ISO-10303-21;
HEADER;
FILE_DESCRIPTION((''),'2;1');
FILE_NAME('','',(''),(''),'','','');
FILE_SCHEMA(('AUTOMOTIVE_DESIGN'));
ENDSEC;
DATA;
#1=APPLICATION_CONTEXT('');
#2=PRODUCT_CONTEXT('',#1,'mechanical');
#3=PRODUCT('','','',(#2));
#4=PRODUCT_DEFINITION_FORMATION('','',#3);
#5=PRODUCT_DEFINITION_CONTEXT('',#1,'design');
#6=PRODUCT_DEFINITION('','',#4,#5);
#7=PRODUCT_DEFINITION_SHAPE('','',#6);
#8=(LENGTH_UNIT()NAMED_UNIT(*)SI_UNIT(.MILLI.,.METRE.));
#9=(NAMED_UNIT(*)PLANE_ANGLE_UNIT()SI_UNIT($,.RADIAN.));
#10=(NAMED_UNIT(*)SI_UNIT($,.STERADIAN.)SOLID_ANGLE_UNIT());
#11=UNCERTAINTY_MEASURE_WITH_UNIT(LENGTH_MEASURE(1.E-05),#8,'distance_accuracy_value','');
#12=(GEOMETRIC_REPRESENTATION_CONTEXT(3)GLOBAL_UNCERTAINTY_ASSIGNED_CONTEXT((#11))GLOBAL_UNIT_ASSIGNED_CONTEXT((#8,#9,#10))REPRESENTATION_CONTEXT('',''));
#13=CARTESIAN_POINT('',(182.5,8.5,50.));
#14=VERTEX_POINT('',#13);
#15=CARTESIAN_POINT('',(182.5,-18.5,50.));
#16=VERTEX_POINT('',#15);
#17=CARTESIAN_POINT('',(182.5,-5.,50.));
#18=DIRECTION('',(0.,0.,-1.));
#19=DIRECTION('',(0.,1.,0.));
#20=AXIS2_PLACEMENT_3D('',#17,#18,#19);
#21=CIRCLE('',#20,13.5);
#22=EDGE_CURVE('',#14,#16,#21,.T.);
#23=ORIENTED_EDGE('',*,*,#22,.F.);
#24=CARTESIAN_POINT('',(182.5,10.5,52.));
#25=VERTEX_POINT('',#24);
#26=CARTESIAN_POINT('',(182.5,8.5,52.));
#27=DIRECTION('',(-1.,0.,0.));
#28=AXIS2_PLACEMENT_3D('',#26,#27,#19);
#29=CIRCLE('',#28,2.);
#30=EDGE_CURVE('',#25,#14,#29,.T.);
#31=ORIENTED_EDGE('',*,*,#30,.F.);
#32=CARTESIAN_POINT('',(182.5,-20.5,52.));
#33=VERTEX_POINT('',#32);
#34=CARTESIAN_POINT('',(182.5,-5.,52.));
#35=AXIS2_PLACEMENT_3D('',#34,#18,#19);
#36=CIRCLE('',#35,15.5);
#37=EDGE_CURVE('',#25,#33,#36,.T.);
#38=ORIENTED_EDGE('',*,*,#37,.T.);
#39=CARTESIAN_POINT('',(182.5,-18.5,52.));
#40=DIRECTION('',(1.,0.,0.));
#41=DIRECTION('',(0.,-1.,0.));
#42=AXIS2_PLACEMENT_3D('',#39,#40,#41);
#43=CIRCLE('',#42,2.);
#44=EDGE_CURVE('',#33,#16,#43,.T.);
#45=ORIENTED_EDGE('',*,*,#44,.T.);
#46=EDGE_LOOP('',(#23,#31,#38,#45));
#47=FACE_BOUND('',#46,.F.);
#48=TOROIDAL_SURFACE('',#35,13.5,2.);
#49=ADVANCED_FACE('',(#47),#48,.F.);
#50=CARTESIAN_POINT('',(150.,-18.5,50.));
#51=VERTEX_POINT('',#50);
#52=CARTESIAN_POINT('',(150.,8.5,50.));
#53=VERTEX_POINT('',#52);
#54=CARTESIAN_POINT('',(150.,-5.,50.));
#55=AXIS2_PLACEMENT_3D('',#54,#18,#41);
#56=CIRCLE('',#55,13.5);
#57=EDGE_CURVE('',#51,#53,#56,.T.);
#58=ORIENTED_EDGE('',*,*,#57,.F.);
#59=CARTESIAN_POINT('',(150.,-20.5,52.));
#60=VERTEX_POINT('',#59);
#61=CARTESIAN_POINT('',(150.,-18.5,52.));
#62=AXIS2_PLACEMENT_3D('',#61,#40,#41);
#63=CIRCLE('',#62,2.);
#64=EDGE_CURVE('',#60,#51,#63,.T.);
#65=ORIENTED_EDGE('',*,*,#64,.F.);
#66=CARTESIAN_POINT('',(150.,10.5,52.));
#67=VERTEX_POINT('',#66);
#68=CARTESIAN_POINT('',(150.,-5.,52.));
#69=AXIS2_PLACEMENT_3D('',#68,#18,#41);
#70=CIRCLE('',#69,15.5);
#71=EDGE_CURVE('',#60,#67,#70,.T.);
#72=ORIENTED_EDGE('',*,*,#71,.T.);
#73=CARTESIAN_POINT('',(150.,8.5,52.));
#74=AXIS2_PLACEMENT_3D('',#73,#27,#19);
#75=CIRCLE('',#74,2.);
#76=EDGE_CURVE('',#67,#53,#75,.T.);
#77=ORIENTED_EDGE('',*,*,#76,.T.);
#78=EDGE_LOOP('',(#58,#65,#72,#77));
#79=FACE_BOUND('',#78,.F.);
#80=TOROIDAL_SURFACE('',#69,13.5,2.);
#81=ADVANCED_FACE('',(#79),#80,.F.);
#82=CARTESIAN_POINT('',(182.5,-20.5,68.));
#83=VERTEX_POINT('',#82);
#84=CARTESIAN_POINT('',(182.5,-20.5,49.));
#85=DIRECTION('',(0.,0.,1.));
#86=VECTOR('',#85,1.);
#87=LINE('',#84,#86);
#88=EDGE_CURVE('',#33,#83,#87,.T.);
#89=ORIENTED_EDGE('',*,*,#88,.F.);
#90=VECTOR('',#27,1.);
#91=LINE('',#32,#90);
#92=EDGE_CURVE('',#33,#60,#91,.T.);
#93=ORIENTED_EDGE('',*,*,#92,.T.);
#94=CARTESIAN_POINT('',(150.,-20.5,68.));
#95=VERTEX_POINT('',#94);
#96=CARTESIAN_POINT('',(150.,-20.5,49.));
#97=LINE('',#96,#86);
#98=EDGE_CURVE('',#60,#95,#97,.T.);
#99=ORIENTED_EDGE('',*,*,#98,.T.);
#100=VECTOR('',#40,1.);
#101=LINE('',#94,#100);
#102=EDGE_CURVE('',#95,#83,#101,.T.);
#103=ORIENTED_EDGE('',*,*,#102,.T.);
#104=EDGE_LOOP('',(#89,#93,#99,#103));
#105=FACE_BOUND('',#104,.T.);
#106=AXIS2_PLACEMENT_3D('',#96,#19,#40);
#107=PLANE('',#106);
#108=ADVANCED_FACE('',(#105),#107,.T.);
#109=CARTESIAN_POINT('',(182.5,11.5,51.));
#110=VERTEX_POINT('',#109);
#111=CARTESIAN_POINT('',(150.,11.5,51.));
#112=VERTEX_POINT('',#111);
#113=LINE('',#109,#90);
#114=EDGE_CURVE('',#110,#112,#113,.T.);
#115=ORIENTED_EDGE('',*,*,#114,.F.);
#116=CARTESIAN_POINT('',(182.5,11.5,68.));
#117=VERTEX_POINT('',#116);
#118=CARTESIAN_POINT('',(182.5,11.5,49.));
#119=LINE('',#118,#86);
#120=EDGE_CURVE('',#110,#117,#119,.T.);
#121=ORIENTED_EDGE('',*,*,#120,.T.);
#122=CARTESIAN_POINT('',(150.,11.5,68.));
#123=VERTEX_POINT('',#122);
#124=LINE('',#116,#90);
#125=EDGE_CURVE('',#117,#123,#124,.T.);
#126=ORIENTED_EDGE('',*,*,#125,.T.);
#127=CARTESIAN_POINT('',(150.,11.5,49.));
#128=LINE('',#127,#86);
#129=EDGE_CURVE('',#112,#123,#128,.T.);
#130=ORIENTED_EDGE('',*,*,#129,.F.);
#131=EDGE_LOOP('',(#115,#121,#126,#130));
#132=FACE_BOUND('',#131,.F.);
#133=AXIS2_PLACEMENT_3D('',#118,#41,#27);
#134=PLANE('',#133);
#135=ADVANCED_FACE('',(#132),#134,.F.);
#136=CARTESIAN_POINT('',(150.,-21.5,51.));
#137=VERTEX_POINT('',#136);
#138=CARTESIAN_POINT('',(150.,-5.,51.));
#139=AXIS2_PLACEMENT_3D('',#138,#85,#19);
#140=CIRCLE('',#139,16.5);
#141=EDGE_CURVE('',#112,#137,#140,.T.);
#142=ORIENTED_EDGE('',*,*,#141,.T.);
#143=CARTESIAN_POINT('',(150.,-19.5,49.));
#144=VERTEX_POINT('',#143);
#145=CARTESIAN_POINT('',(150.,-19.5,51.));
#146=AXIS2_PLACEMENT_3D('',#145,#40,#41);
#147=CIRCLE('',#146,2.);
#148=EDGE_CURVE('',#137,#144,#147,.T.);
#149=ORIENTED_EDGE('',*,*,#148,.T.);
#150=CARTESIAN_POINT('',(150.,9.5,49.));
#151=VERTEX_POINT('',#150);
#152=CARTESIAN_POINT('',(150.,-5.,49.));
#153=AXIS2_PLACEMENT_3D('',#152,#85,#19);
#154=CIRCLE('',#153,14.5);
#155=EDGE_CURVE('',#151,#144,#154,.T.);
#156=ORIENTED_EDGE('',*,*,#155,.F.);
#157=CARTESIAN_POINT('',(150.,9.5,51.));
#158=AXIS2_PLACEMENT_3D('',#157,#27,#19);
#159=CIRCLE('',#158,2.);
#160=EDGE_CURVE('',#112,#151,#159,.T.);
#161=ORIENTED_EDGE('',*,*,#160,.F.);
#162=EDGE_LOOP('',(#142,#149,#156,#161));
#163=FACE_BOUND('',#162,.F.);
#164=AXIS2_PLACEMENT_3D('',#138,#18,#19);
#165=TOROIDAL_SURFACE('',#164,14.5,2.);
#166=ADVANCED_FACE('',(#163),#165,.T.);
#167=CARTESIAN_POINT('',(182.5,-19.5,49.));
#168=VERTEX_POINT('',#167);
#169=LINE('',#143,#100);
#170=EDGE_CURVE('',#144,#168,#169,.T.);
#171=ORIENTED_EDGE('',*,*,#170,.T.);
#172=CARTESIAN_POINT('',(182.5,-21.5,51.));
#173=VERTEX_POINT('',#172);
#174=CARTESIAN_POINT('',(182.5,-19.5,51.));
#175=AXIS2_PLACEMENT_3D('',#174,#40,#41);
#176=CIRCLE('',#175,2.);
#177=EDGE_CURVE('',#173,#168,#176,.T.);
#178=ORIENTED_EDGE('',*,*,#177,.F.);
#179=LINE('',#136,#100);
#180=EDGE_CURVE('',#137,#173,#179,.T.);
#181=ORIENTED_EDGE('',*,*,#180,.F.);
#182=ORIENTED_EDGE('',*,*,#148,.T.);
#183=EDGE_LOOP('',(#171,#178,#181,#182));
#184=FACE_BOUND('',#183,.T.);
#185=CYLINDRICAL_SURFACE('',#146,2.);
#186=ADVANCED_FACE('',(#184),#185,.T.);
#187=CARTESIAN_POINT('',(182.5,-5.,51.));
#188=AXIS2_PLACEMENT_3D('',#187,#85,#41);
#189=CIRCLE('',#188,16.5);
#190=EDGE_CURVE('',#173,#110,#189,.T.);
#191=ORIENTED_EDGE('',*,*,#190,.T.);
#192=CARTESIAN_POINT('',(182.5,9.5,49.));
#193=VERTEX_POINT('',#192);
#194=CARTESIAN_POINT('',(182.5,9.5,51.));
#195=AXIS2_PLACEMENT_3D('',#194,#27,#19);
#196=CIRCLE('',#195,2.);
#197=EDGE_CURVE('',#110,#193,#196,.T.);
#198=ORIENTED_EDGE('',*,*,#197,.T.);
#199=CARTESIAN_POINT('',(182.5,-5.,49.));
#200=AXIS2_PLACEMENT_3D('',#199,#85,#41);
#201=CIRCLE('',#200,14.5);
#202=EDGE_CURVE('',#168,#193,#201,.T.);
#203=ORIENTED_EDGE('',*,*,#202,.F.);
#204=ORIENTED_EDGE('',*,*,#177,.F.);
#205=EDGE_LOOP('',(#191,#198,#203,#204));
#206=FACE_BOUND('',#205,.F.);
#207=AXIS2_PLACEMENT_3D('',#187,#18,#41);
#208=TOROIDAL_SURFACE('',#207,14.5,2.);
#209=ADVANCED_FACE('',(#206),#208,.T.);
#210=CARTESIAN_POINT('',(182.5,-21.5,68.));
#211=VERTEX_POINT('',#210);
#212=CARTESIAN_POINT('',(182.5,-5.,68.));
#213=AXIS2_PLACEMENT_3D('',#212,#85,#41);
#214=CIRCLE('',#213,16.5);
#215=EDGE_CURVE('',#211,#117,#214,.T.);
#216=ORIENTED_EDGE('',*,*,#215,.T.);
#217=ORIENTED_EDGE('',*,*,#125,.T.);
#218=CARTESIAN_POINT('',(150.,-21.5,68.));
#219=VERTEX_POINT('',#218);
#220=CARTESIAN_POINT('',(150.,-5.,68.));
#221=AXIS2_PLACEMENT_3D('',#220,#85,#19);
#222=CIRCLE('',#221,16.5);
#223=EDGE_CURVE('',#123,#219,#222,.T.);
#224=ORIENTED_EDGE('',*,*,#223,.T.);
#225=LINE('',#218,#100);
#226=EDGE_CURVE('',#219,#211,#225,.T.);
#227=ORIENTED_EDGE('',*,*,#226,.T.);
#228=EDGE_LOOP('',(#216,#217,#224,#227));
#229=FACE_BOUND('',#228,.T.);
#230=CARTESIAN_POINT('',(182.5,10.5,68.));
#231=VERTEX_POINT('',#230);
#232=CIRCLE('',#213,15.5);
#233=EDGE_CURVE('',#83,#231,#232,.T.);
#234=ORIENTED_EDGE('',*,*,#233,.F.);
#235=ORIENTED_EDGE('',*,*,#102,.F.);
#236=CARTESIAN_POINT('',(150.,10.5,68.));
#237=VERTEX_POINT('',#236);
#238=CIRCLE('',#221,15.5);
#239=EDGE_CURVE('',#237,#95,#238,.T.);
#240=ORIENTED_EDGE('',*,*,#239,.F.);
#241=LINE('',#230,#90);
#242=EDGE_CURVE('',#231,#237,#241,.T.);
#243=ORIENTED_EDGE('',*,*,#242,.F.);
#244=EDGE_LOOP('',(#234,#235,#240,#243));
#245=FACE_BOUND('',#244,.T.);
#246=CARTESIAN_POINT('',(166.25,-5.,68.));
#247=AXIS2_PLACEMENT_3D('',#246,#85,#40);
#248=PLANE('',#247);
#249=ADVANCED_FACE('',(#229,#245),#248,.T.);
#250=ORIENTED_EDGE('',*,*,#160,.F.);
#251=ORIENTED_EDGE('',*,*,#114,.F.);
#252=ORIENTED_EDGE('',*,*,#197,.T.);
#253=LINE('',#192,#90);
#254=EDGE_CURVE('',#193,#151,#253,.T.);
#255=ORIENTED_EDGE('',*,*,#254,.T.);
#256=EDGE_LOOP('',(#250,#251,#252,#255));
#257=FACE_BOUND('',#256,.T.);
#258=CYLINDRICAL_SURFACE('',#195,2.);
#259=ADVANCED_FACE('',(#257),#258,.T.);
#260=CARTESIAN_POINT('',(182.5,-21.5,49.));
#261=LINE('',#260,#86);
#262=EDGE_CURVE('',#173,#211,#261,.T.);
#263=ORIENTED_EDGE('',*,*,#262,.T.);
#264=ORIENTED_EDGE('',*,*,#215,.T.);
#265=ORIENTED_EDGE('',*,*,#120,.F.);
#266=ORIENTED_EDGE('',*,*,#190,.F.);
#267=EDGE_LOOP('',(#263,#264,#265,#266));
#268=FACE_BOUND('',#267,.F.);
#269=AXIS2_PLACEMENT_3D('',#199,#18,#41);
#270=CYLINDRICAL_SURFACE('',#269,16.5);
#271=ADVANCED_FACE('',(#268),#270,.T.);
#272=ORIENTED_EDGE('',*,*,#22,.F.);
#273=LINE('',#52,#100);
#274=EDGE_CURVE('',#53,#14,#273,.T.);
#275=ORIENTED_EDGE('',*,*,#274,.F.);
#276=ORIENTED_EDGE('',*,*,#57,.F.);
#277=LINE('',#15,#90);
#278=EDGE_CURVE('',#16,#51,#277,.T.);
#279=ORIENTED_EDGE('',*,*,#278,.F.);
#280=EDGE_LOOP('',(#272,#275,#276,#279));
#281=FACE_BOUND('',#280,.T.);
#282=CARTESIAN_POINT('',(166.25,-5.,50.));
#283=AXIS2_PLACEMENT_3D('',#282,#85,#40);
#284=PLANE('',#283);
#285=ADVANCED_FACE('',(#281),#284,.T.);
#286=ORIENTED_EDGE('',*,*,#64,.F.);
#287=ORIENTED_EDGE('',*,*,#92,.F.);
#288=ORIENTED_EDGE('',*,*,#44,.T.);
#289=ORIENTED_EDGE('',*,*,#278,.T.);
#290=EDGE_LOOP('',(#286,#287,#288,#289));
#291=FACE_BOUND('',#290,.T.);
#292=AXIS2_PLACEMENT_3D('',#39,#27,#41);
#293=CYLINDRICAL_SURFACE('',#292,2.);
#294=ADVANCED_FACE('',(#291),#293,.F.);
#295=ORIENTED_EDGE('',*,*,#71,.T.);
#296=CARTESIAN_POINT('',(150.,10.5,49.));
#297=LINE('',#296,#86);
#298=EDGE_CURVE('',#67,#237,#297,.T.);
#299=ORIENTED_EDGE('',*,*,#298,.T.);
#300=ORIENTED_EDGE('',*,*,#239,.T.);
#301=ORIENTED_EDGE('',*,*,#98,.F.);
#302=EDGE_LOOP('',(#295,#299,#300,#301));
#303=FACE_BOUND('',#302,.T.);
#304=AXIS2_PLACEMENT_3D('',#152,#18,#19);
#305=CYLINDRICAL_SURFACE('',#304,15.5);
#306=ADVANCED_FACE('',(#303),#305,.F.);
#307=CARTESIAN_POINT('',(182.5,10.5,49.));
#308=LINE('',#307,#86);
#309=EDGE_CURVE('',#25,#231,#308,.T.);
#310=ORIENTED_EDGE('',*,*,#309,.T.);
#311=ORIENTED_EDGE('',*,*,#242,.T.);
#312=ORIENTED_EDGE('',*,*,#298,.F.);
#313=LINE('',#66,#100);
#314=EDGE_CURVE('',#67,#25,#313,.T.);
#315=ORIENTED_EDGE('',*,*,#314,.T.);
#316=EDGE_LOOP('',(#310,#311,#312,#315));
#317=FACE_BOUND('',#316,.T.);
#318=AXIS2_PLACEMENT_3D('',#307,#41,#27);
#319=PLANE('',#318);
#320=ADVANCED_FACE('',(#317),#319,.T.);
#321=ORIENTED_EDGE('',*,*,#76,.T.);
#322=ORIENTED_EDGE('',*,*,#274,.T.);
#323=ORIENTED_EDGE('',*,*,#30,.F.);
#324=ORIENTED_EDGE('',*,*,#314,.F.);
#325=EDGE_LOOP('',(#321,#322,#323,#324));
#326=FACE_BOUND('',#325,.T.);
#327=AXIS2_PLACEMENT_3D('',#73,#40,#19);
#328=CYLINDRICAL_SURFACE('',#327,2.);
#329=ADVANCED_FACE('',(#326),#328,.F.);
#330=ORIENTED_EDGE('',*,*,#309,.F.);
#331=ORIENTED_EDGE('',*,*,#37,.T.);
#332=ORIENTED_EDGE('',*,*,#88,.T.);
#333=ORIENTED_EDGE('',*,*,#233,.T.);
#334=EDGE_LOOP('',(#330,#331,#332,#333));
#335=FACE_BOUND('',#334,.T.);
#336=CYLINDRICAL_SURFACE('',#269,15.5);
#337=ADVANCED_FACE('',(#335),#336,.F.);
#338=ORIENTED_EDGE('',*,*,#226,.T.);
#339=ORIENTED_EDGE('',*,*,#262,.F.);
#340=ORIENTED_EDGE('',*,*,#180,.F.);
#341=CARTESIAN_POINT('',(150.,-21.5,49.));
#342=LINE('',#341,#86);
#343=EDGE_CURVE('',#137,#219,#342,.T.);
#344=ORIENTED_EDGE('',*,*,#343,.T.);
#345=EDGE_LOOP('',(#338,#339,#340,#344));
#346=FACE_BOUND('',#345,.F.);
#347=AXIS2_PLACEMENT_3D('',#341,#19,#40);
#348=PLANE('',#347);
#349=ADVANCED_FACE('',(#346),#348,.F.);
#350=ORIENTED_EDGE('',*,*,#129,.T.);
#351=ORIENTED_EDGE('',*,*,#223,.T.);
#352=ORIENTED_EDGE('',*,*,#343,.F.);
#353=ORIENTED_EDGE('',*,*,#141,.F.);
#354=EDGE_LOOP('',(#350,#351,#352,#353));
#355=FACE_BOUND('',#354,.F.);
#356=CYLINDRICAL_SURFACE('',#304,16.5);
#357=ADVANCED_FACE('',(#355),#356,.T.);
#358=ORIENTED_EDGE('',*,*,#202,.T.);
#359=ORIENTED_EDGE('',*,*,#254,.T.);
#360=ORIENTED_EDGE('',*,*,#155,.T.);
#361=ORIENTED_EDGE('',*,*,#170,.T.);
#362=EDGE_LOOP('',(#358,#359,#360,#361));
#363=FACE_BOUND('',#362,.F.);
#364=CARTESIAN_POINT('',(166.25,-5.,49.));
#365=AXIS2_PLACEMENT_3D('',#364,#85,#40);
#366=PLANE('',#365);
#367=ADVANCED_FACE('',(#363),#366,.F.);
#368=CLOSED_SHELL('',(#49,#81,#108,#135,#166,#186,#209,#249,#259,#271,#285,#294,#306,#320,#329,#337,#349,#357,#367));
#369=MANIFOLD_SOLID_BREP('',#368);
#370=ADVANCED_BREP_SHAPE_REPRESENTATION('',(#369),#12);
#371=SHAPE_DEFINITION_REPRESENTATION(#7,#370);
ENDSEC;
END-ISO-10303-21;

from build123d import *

# Parameters (mm, degrees)
PAD003_DEPTH   = 19
THICKNESS001_T = -1
FILLET004_R    = 2
FILLET005_R    = 2


with BuildPart() as part:
    # Sketch008 → Pad003 (new body)
    with BuildSketch(Plane.XY):
        with BuildLine():
            ThreePointArc((-83, 72.5), (-99.5, 56), (-83, 39.5))
            Line((-83, 39.5), (-50.5, 39.5))
            ThreePointArc((-50.5, 39.5), (-34, 56), (-50.5, 72.5))
            Line((-50.5, 72.5), (-83, 72.5))
        make_face()
    extrude(amount=PAD003_DEPTH)

    # Thickness001
    thickness001_openings = [part.faces().sort_by_distance(p)[0] for p in [
        (-66.75, 56, 19),
    ]]
    offset(amount=THICKNESS001_T, openings=thickness001_openings)

    # Fillet004
    fillet004_edges = [part.edges().sort_by_distance(p)[0] for p in [
        (-98.5, 56, 1),
        (-66.75, 40.5, 1),
        (-35, 56, 1),
        (-66.75, 71.5, 1),
    ]]
    fillet(fillet004_edges, radius=FILLET004_R)

    # Fillet005
    fillet005_edges = [part.edges().sort_by_distance(p)[0] for p in [
        (-99.5, 56, 0),
        (-66.75, 39.5, 0),
        (-34, 56, 0),
        (-66.75, 72.5, 0),
    ]]
    fillet(fillet005_edges, radius=FILLET005_R)


with BuildPart() as part_1:
    # Body003 placement: moved
    add(part.part.moved(Location((233, -61, 49))))


solid = part_1.part
